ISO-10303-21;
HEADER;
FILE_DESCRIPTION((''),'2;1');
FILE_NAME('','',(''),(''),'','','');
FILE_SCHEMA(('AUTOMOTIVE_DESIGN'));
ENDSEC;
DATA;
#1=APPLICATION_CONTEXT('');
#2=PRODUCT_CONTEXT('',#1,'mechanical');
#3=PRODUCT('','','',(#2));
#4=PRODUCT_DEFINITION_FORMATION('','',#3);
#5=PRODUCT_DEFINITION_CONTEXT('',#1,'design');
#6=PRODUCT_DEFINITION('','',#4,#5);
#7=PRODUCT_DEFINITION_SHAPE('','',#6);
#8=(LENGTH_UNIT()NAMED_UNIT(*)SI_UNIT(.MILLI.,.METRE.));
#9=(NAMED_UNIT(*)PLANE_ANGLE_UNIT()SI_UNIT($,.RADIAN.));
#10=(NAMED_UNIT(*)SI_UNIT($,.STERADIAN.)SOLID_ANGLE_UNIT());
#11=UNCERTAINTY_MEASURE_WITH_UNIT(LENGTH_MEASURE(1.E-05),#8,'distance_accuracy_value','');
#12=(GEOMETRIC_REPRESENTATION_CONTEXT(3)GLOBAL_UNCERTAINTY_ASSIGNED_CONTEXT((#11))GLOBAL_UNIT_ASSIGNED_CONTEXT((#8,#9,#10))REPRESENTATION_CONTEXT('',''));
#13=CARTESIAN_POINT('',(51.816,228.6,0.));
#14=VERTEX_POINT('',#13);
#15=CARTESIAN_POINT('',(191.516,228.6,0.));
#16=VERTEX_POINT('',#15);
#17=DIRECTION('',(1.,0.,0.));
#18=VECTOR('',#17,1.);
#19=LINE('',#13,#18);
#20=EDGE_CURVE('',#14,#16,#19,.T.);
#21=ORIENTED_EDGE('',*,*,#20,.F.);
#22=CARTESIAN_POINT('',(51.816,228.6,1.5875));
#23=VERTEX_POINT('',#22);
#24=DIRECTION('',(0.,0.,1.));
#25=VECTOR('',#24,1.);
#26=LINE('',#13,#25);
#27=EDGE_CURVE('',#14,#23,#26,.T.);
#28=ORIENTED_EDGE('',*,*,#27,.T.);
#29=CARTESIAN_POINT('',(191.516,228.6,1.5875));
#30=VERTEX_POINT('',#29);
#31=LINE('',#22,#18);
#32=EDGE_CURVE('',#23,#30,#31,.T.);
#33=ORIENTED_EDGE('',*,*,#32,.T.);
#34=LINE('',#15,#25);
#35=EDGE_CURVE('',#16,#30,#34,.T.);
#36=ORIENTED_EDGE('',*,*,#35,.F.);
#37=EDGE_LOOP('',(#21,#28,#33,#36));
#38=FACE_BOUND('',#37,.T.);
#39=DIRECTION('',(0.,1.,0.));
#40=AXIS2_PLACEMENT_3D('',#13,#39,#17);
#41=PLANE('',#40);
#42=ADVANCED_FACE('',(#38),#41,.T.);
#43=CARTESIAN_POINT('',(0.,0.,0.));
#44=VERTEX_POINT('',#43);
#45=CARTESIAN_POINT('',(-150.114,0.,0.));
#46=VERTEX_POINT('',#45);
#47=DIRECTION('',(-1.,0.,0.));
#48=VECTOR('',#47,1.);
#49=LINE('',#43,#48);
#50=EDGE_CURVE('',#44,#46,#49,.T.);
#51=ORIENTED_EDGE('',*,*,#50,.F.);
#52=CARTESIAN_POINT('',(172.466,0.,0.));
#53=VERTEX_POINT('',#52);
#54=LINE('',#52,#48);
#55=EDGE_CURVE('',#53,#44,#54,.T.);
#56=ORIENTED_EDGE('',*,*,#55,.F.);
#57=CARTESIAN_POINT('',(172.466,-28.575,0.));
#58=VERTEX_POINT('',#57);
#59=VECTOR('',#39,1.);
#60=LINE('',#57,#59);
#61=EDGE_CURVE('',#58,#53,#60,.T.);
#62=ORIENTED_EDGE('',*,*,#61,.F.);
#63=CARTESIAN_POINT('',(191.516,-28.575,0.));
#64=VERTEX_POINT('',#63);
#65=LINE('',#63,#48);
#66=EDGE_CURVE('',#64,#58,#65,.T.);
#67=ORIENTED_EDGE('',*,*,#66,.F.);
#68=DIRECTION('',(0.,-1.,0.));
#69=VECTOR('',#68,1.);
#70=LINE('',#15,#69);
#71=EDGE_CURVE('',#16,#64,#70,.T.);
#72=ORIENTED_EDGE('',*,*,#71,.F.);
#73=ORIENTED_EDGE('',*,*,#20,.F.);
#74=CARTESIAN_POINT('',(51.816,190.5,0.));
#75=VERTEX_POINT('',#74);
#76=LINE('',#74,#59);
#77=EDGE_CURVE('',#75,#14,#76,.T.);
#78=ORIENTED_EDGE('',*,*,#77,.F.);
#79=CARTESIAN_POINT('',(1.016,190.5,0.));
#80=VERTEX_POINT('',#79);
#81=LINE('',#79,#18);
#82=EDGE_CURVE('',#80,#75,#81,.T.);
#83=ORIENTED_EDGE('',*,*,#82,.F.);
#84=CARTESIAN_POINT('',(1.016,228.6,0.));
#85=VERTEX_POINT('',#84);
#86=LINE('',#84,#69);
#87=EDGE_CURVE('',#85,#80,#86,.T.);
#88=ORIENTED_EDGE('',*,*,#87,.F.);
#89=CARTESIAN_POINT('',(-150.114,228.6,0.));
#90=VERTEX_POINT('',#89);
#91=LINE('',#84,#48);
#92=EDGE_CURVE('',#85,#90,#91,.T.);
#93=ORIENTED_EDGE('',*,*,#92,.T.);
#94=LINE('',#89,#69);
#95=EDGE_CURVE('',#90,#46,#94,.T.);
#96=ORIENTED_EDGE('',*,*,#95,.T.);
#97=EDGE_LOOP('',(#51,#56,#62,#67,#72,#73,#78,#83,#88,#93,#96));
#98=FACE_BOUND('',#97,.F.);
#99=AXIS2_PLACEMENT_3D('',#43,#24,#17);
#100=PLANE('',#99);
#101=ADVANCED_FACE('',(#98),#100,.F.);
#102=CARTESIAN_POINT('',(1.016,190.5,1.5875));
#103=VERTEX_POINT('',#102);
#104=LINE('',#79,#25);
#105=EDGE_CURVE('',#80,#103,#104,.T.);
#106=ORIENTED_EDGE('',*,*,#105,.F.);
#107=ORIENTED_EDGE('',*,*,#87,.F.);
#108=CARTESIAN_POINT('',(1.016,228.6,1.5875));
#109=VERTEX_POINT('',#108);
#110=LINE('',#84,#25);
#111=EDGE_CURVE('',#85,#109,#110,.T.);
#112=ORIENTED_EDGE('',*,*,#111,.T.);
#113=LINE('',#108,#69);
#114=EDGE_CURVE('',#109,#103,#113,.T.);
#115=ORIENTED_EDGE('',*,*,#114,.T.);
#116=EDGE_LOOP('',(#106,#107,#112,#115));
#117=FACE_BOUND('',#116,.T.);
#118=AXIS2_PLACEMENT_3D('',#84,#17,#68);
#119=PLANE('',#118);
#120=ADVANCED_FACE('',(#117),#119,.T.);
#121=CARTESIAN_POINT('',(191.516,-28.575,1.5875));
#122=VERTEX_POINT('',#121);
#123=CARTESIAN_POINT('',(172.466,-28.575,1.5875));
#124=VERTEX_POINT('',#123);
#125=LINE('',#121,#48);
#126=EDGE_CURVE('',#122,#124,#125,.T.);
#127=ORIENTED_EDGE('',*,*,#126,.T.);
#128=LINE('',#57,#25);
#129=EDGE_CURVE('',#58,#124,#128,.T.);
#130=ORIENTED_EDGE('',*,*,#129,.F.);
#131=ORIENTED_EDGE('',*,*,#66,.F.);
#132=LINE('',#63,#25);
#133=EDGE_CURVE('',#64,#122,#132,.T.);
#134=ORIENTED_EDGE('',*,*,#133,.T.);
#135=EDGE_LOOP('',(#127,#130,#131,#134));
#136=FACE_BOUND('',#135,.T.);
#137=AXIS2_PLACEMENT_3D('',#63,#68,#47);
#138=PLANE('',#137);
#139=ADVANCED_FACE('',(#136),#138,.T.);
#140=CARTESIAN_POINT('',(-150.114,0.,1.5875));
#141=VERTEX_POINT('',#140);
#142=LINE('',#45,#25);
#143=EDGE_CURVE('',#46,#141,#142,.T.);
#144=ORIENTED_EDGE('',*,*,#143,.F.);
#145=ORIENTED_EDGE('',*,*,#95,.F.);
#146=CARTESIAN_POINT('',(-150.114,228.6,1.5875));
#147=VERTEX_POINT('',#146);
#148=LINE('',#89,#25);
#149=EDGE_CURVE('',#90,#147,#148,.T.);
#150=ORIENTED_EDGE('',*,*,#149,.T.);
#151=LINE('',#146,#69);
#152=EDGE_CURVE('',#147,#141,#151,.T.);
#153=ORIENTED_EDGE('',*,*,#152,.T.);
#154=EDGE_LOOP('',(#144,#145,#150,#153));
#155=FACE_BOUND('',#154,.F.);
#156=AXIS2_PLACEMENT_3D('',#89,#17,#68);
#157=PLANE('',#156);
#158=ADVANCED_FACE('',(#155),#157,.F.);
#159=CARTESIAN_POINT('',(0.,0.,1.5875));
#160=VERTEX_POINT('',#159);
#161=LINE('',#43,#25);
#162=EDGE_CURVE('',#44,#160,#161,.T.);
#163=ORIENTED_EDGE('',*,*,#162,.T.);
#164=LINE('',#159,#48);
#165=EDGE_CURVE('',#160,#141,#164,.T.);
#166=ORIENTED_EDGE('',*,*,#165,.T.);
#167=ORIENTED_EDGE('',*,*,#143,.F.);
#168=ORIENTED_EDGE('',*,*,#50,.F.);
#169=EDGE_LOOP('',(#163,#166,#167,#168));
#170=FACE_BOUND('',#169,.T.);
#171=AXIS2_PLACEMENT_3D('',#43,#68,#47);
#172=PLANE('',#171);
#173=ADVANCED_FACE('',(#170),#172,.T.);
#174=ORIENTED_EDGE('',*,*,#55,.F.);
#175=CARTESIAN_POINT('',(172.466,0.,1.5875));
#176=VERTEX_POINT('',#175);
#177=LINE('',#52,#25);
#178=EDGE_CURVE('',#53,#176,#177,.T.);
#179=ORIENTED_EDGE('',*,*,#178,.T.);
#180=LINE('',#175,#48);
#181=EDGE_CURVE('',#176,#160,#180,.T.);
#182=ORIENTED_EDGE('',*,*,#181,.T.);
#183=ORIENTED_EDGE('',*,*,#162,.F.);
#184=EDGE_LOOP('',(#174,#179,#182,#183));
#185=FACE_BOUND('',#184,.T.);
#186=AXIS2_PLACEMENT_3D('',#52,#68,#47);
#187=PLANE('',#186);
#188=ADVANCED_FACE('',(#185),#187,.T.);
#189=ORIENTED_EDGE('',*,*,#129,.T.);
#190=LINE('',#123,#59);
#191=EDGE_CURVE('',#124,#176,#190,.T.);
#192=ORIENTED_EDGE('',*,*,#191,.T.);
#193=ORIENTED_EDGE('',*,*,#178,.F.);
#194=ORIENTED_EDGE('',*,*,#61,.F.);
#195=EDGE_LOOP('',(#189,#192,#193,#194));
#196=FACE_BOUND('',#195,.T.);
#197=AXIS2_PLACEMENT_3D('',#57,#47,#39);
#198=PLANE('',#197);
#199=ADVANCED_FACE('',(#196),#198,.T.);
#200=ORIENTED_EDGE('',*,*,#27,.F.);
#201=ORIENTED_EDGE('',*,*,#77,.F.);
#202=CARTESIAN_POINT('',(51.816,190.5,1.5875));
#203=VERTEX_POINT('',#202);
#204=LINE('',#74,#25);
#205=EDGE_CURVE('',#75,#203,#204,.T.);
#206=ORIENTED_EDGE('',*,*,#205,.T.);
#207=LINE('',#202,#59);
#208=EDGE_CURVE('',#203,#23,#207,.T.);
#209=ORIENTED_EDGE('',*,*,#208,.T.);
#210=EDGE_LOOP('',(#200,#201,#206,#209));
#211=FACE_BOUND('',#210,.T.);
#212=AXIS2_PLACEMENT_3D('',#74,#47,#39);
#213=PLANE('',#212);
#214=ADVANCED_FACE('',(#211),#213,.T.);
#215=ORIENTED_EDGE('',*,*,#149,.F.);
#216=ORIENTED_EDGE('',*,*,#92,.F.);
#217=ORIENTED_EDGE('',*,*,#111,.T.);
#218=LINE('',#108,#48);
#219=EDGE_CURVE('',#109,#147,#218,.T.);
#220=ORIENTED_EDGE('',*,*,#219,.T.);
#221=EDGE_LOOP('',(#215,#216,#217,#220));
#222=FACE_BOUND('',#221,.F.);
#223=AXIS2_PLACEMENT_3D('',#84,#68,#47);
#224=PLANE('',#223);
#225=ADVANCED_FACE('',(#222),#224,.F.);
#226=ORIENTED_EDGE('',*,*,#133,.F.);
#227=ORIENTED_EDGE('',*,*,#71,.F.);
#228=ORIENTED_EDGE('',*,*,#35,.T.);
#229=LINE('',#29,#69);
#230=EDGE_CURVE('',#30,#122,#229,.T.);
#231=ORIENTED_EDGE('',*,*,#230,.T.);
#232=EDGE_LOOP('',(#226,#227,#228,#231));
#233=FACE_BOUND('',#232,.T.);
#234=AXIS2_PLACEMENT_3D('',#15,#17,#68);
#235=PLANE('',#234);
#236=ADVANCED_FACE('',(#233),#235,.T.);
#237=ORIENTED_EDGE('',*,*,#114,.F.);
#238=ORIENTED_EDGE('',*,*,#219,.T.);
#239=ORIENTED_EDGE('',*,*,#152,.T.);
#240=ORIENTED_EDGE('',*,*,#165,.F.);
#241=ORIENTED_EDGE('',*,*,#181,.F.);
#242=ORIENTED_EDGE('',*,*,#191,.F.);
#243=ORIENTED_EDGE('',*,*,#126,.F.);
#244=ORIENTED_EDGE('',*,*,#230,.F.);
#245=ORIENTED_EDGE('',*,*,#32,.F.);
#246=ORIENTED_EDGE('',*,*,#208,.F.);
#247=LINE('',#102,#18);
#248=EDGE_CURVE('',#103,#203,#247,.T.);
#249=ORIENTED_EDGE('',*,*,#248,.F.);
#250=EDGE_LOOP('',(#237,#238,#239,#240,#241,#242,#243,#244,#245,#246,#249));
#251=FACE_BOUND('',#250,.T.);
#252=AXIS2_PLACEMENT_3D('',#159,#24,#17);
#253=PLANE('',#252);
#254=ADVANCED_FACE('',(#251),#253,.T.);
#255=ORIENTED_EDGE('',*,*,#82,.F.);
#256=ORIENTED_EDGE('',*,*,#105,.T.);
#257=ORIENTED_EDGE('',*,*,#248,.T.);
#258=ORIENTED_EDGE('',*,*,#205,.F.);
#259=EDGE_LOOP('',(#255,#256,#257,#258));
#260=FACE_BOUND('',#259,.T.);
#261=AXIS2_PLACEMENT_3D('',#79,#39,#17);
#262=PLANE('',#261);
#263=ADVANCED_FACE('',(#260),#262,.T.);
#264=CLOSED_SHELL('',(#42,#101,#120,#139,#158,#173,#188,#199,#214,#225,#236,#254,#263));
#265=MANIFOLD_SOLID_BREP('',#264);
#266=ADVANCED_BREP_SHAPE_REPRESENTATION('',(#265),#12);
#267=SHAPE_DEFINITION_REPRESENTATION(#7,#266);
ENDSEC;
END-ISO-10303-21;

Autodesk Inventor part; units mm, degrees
ref_plane "YZ Plane" through (0, 0, 0) normal (1, 0, 0) x (0, 1, 0)
ref_plane "XZ Plane" through (0, 0, 0) normal (0, 1, 0) x (-1, 0, 0)
ref_plane "XY Plane" through (0, 0, 0) normal (0, 0, 1) x (1, 0, 0)
sketch "Sketch1" plane through (0, 0, 0) normal (0, 0, 1) x (1, 0, 0)
  line L0 (0, 0) -> (-150.114, 0)
  line L1 (1.016, 228.6) -> (1.016, 190.5)
  line L2 (1.016, 228.6) -> (-150.114, 228.6)
  line L3 (-150.114, 228.6) -> (-150.114, 0)
  line L4 (1.016, 190.5) -> (51.816, 190.5)
  line L5 (51.816, 190.5) -> (51.816, 228.6)
  line L6 (51.816, 228.6) -> (191.516, 228.6)
  line L7 (191.516, 228.6) -> (191.516, -28.575)
  line L8 (191.516, -28.575) -> (172.466, -28.575)
  line L9 (172.466, -28.575) -> (172.466, 0)
  line L10 (172.466, 0) -> (0, 0)
  dimension "d8" = 150.114
  dimension "d28" = 228.6
  dimension "d29" = 50.8
  dimension "d30" = 139.7
  dimension "d31" = 257.175
  dimension "d32" = 19.05
  dimension "d33" = 151.13
  dimension "d34" = 38.1
extrude "Extrusion1" add sketch "Sketch1" along normal blind 1.5875
properties part number "pneumatics board 1" material "Polycarbonate, Clear"
